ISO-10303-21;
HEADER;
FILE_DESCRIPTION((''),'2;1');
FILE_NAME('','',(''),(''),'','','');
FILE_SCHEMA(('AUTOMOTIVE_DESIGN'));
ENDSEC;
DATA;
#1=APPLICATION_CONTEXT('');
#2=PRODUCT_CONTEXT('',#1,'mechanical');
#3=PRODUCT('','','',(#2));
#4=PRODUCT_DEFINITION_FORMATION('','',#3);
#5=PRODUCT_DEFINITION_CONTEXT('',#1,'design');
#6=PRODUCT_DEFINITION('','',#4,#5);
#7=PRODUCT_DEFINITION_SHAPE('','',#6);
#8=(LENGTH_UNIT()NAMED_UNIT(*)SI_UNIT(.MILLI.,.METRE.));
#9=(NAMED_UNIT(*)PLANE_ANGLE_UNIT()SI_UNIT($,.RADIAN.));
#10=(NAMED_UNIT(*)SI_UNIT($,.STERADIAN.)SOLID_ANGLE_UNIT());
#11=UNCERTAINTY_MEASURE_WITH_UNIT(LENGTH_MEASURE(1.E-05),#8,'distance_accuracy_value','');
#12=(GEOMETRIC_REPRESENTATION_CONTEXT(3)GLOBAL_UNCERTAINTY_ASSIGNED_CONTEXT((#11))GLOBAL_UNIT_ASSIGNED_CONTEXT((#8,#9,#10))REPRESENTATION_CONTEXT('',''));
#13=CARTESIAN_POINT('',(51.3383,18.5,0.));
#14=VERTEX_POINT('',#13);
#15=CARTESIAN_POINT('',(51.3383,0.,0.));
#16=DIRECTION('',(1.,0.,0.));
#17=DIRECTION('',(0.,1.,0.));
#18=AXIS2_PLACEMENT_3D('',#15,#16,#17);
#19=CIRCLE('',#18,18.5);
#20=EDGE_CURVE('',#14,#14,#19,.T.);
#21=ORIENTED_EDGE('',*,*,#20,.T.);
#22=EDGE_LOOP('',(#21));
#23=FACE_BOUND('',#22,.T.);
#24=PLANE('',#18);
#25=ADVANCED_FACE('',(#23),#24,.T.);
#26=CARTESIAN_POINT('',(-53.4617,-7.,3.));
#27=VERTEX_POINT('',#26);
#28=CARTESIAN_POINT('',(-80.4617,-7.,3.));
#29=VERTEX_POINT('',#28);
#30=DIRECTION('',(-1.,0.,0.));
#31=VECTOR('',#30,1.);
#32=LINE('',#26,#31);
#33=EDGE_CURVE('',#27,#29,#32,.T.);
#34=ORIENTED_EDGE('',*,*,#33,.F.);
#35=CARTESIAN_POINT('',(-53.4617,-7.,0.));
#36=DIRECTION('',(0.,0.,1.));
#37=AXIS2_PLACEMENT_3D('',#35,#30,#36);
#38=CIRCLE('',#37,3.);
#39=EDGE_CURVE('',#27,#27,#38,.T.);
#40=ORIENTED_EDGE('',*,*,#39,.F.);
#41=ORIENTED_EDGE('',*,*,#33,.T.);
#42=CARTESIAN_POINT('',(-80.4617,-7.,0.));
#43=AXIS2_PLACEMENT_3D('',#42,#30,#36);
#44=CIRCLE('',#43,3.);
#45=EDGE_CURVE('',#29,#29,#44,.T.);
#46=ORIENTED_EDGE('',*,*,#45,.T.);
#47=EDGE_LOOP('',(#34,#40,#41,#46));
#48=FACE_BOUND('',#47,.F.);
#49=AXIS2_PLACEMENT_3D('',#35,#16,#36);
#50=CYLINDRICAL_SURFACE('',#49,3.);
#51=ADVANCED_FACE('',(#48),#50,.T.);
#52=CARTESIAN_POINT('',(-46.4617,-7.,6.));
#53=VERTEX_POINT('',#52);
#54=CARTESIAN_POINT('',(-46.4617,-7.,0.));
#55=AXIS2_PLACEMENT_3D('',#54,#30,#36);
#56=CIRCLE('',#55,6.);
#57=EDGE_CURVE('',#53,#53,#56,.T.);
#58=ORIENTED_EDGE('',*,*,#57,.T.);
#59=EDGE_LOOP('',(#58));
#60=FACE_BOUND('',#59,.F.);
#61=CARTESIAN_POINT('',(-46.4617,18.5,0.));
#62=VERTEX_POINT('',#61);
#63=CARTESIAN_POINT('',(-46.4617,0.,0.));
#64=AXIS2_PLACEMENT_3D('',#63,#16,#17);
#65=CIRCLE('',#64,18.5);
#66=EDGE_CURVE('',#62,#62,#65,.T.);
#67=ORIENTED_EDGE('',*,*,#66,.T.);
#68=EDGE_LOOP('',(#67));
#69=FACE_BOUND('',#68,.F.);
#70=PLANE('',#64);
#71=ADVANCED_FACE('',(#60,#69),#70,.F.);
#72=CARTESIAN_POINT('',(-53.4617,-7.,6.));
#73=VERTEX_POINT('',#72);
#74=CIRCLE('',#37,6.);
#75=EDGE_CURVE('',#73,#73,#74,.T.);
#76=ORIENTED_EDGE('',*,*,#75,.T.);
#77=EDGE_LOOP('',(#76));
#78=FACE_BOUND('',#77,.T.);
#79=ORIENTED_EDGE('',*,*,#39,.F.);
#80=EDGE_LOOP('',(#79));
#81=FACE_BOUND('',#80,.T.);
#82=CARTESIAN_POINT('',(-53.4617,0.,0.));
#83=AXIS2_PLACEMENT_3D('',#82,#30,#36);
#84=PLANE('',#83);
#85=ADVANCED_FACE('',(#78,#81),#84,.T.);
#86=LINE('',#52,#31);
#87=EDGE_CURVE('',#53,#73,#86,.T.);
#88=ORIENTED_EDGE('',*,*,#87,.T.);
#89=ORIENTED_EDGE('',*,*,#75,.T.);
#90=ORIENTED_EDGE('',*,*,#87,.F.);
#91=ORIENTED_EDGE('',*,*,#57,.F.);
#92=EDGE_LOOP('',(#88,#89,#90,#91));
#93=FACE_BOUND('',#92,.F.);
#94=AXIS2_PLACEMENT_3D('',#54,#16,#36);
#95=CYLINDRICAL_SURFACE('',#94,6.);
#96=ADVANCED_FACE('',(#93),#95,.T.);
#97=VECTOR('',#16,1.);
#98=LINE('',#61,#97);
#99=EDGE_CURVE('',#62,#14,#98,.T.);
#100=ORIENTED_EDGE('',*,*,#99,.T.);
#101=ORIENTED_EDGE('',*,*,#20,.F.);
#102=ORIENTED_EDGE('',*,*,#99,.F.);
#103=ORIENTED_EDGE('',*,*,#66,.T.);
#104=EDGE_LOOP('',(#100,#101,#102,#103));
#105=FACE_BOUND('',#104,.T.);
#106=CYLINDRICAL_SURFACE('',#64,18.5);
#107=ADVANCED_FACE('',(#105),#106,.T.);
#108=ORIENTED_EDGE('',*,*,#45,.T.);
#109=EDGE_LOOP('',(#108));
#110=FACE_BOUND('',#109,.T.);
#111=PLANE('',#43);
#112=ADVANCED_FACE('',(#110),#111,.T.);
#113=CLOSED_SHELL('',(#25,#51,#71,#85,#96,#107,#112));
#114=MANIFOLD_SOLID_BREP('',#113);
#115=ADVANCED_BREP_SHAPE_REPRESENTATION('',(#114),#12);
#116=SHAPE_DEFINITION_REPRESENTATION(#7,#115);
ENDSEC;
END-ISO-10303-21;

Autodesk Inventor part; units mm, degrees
ref_plane "YZ Plane" through (0, 0, 0) normal (1, 0, 0) x (0, 1, 0)
ref_plane "XZ Plane" through (0, 0, 0) normal (0, 1, 0) x (-1, 0, 0)
ref_plane "XY Plane" through (0, 0, 0) normal (0, 0, 1) x (1, 0, 0)
sketch "Sketch1" plane through (0, 0, 0) normal (0, 0, 1) x (1, 0, 0)
  line L0 (-46.4617, 18.5) -> (51.3383, 18.5)
  line L1 (51.3383, 18.5) -> (51.3383, 0)
  line L2 (-46.4617, 18.5) -> (-46.4617, 0)
  line L3 (-46.4617, 0) -> (51.3383, 0)
  point P0 (0, 0)
  dimension "d30" = 97.8
revolve "Revolution1" add sketch "Sketch1" angle 360 about axis through (-46.4617, 0, 0) along (1, 0, 0)
sketch "Sketch4" plane through (-46.4617, 0, 0) normal (-1, 0, 0) x (0, 0, 1)
  circle A0 centre (0, -7) radius 6
  point P0 (0, 0)
  dimension "d31" = 7
  dimension "d32" = 12
extrude "Extrusion3" add sketch "Sketch4" along normal blind 7
sketch "Sketch5" plane through (-53.4617, -7, 0) normal (-1, 0, 0) x (0, 0, 1)
  circle A0 centre (0, 0) radius 3
  point P0 (0, 7)
  dimension "d35" = 6
extrude "Extrusion4" add sketch "Sketch5" along normal blind 27
properties part number "Moteur"
